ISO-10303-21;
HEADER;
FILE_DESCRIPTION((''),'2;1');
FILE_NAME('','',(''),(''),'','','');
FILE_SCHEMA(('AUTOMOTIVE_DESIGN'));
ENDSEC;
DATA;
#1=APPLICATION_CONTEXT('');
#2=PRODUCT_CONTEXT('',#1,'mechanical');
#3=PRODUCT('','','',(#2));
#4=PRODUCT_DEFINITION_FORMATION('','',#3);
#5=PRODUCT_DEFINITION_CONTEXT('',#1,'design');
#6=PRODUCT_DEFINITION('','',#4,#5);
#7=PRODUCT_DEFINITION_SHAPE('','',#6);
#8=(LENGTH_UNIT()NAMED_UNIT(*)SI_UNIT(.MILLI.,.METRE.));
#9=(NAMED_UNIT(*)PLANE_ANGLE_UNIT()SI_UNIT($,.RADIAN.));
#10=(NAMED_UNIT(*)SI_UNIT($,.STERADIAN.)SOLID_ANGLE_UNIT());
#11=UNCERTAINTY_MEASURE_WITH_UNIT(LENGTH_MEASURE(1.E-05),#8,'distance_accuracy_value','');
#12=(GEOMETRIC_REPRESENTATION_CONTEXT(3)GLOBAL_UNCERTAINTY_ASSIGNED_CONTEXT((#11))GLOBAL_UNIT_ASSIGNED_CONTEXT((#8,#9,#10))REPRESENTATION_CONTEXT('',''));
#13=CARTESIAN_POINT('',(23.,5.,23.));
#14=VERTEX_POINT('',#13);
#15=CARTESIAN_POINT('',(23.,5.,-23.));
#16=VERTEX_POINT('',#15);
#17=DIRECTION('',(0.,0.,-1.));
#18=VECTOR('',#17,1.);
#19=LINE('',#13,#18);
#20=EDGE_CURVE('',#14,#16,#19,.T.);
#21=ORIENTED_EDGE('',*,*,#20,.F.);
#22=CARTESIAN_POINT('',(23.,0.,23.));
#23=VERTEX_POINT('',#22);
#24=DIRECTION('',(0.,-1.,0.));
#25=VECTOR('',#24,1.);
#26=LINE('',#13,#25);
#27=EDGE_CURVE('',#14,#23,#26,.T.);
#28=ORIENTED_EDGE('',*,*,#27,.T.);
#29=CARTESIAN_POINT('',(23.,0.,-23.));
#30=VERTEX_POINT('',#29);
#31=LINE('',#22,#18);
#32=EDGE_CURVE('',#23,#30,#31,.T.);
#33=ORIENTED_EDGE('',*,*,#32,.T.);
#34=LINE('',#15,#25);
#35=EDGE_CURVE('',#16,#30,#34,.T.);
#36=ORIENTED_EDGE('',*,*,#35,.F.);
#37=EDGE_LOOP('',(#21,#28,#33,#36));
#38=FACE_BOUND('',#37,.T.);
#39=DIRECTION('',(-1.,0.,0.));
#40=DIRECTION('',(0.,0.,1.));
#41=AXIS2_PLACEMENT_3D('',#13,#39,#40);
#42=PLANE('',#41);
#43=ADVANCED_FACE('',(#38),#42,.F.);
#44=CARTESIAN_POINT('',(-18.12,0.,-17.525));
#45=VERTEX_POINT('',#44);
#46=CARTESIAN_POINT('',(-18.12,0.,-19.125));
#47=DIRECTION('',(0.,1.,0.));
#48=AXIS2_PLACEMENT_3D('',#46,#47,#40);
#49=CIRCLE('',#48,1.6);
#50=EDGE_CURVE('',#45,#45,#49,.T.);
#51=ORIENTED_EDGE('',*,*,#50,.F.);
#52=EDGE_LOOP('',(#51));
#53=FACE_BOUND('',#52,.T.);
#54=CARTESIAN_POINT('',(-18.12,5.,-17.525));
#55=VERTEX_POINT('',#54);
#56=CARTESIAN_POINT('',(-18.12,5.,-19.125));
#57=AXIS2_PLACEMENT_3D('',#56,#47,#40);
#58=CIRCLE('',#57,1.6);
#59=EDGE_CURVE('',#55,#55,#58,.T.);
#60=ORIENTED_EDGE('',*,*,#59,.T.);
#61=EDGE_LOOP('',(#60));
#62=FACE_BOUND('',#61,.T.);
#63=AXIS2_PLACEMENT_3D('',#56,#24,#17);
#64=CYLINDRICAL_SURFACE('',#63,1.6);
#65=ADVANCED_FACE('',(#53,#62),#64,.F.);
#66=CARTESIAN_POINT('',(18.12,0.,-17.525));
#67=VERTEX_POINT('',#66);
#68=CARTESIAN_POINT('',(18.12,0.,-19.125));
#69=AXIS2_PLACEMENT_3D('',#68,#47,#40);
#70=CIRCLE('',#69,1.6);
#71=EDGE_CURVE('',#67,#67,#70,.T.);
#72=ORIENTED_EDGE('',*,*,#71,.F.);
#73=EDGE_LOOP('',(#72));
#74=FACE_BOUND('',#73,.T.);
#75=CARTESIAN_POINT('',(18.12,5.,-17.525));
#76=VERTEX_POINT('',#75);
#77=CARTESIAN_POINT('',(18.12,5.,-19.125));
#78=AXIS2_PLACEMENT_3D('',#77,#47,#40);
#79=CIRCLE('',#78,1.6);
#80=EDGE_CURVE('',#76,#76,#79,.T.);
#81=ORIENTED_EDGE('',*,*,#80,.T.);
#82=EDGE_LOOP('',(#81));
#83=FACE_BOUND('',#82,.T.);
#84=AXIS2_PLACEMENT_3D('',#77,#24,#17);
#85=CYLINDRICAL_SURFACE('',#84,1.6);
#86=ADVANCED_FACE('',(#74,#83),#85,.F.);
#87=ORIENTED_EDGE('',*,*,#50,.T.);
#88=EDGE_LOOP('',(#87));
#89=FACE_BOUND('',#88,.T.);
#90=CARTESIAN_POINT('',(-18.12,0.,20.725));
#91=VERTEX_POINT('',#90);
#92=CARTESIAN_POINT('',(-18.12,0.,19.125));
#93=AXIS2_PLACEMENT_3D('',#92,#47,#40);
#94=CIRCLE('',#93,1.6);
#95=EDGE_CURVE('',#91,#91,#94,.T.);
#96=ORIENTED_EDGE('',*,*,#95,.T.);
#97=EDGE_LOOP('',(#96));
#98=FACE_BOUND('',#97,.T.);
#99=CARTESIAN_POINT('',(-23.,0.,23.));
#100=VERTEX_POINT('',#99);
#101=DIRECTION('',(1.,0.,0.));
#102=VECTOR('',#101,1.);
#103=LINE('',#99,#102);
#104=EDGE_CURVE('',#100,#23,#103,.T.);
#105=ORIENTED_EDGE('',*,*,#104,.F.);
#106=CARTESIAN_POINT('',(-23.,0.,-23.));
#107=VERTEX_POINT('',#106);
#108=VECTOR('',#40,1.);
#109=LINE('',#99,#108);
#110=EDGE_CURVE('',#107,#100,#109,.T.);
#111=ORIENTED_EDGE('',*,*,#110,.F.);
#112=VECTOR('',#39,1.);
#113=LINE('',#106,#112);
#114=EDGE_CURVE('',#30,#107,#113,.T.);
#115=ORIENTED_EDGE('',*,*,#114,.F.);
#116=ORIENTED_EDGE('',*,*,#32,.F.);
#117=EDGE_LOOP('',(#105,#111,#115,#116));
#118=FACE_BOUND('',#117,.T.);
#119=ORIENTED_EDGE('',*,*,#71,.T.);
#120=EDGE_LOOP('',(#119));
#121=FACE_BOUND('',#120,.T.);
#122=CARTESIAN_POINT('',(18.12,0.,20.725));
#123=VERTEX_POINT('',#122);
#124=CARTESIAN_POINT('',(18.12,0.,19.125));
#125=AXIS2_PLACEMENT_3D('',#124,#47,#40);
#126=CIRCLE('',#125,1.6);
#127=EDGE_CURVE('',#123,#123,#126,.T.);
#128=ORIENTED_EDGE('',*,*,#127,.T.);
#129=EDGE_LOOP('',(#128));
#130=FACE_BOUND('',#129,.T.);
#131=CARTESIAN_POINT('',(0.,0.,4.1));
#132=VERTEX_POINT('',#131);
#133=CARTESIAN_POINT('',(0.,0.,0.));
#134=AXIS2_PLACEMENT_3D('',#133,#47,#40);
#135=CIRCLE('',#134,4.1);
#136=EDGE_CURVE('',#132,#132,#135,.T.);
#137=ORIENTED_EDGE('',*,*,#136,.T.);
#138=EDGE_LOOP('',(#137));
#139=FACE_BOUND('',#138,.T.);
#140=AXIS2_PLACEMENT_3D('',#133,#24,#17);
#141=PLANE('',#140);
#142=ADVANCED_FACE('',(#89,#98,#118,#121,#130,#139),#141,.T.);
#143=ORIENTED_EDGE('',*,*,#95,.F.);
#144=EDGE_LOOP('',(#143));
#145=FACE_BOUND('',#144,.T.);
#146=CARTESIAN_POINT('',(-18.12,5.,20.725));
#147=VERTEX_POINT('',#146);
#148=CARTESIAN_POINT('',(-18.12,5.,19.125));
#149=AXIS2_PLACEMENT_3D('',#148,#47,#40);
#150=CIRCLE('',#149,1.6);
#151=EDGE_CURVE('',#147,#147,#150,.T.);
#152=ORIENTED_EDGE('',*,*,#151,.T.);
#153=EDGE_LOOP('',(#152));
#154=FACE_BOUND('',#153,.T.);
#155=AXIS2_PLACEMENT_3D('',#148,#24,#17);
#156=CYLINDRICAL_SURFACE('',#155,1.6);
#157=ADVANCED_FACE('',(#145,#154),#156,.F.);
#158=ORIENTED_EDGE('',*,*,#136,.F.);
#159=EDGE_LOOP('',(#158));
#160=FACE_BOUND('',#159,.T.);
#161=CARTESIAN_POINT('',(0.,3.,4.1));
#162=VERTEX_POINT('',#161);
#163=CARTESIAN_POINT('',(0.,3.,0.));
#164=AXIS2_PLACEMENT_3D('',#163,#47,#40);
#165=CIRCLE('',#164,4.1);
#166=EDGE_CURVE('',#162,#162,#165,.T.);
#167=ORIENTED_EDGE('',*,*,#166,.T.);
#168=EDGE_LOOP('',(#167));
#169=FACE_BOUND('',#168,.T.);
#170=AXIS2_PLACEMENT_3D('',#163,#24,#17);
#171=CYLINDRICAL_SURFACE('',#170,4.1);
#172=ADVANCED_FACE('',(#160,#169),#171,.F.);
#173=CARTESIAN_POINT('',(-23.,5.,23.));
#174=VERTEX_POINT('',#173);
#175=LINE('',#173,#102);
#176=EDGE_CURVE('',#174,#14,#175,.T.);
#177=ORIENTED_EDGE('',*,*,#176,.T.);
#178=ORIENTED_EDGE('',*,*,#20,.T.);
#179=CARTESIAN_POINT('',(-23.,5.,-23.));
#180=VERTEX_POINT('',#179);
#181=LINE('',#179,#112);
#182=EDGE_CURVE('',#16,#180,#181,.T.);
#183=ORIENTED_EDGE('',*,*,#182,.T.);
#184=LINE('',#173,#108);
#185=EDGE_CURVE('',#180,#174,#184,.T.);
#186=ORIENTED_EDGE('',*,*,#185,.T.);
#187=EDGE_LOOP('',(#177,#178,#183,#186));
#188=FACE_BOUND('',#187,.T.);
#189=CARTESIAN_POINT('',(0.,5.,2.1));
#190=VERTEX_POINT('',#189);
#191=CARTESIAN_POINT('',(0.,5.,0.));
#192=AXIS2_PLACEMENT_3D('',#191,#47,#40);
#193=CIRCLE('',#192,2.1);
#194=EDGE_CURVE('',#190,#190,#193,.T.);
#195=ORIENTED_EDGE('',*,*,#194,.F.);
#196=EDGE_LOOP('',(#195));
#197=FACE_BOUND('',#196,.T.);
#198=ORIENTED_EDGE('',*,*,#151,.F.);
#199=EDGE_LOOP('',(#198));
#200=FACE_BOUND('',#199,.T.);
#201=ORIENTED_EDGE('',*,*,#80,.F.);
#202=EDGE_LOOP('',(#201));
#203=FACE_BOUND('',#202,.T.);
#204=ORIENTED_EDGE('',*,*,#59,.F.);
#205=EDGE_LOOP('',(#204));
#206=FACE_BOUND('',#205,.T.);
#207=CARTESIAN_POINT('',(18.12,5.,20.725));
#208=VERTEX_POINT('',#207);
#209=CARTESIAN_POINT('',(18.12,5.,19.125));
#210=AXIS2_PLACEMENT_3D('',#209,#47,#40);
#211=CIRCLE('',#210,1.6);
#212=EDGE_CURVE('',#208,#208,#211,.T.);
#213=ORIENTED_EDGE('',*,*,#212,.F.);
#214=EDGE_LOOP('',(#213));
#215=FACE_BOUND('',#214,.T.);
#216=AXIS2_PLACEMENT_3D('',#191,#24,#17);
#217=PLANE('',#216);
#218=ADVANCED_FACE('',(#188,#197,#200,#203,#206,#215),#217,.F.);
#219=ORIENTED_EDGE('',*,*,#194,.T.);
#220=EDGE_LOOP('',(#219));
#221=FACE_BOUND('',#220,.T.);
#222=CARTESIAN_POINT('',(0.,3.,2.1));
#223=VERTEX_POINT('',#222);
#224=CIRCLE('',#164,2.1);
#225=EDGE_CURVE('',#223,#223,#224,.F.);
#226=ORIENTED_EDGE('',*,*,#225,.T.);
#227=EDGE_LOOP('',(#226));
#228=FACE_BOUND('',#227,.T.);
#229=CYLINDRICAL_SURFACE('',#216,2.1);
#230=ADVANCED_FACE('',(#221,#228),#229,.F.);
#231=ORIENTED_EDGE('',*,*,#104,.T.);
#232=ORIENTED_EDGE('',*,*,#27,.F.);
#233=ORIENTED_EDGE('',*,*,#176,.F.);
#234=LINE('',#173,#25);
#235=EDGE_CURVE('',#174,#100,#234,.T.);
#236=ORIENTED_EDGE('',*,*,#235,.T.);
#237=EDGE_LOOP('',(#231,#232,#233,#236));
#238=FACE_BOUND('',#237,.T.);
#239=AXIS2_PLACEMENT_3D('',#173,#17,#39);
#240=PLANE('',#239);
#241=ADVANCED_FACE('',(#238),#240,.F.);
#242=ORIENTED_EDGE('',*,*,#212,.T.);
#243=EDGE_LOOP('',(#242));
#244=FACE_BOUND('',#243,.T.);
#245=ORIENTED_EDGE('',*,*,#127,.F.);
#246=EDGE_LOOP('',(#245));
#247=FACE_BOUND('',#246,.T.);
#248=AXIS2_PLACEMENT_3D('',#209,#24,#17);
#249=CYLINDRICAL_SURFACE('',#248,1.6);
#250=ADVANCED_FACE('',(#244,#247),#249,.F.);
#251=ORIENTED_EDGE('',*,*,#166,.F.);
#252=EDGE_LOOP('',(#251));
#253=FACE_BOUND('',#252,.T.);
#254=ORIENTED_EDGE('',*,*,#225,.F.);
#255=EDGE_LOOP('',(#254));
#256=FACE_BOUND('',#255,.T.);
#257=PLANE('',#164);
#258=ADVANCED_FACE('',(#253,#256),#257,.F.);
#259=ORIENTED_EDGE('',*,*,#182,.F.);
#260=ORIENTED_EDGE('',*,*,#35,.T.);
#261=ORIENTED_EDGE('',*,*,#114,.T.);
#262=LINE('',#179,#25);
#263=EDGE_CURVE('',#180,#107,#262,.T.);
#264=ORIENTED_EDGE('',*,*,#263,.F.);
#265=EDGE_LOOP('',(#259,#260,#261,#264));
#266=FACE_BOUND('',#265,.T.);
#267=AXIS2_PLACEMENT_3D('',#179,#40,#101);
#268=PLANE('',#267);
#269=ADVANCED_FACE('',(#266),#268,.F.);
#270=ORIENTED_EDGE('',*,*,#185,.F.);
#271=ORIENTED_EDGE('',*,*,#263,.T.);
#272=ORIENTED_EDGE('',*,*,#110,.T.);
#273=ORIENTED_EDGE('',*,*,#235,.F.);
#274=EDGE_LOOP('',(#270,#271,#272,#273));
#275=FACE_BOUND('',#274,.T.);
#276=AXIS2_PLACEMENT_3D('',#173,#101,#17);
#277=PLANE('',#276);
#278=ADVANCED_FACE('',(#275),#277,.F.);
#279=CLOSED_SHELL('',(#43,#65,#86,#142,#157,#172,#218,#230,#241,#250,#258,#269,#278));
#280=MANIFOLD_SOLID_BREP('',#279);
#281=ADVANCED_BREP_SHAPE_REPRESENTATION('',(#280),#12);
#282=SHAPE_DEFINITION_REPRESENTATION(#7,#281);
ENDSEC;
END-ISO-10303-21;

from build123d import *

# Parameters (mm, degrees)
SKETCH2_W           = 46
SKETCH2_H           = 46
BOSS_EXTRUDE1_DEPTH = 5
SKETCH4_R           = 4.1
CUT_EXTRUDE2_DEPTH  = 3
SKETCH5_R           = 2.1
CUT_EXTRUDE4_DEPTH  = 6
SKETCH6_R           = 1.6
CUT_EXTRUDE5_DEPTH  = 5


with BuildPart() as part:
    # Sketch2 → Boss-Extrude1 (new body)
    with BuildSketch(Plane(origin=(0, 0, 0), x_dir=(1, 0, 0), z_dir=(0, 1, 0))):
        Rectangle(SKETCH2_W, SKETCH2_H)
    extrude(amount=BOSS_EXTRUDE1_DEPTH)

    # Sketch4 → Cut-Extrude2 (cut)
    with BuildSketch(Plane(origin=(0, 0, 0), x_dir=(1, 0, 0), z_dir=(0, 1, 0))):
        Circle(SKETCH4_R)
    extrude(amount=CUT_EXTRUDE2_DEPTH, mode=Mode.SUBTRACT)

    # Sketch5 → Cut-Extrude4 (cut, through all)
    with BuildSketch(Plane(origin=(0, 0, 0), x_dir=(1, 0, 0), z_dir=(0, 1, 0))):
        Circle(SKETCH5_R)
    extrude(amount=CUT_EXTRUDE4_DEPTH, mode=Mode.SUBTRACT)

    # Sketch6 → Cut-Extrude5 (cut)
    with BuildSketch(Plane(origin=(0, 0, 0), x_dir=(1, 0, 0), z_dir=(0, 1, 0))):
        with Locations((18.12, 19.125)):
            Circle(SKETCH6_R)
        with Locations((-18.12, 19.125)):
            Circle(SKETCH6_R)
        with Locations((-18.12, -19.125)):
            Circle(SKETCH6_R)
        with Locations((18.12, -19.125)):
            Circle(SKETCH6_R)
    extrude(amount=CUT_EXTRUDE5_DEPTH, mode=Mode.SUBTRACT)


solid = part.part
